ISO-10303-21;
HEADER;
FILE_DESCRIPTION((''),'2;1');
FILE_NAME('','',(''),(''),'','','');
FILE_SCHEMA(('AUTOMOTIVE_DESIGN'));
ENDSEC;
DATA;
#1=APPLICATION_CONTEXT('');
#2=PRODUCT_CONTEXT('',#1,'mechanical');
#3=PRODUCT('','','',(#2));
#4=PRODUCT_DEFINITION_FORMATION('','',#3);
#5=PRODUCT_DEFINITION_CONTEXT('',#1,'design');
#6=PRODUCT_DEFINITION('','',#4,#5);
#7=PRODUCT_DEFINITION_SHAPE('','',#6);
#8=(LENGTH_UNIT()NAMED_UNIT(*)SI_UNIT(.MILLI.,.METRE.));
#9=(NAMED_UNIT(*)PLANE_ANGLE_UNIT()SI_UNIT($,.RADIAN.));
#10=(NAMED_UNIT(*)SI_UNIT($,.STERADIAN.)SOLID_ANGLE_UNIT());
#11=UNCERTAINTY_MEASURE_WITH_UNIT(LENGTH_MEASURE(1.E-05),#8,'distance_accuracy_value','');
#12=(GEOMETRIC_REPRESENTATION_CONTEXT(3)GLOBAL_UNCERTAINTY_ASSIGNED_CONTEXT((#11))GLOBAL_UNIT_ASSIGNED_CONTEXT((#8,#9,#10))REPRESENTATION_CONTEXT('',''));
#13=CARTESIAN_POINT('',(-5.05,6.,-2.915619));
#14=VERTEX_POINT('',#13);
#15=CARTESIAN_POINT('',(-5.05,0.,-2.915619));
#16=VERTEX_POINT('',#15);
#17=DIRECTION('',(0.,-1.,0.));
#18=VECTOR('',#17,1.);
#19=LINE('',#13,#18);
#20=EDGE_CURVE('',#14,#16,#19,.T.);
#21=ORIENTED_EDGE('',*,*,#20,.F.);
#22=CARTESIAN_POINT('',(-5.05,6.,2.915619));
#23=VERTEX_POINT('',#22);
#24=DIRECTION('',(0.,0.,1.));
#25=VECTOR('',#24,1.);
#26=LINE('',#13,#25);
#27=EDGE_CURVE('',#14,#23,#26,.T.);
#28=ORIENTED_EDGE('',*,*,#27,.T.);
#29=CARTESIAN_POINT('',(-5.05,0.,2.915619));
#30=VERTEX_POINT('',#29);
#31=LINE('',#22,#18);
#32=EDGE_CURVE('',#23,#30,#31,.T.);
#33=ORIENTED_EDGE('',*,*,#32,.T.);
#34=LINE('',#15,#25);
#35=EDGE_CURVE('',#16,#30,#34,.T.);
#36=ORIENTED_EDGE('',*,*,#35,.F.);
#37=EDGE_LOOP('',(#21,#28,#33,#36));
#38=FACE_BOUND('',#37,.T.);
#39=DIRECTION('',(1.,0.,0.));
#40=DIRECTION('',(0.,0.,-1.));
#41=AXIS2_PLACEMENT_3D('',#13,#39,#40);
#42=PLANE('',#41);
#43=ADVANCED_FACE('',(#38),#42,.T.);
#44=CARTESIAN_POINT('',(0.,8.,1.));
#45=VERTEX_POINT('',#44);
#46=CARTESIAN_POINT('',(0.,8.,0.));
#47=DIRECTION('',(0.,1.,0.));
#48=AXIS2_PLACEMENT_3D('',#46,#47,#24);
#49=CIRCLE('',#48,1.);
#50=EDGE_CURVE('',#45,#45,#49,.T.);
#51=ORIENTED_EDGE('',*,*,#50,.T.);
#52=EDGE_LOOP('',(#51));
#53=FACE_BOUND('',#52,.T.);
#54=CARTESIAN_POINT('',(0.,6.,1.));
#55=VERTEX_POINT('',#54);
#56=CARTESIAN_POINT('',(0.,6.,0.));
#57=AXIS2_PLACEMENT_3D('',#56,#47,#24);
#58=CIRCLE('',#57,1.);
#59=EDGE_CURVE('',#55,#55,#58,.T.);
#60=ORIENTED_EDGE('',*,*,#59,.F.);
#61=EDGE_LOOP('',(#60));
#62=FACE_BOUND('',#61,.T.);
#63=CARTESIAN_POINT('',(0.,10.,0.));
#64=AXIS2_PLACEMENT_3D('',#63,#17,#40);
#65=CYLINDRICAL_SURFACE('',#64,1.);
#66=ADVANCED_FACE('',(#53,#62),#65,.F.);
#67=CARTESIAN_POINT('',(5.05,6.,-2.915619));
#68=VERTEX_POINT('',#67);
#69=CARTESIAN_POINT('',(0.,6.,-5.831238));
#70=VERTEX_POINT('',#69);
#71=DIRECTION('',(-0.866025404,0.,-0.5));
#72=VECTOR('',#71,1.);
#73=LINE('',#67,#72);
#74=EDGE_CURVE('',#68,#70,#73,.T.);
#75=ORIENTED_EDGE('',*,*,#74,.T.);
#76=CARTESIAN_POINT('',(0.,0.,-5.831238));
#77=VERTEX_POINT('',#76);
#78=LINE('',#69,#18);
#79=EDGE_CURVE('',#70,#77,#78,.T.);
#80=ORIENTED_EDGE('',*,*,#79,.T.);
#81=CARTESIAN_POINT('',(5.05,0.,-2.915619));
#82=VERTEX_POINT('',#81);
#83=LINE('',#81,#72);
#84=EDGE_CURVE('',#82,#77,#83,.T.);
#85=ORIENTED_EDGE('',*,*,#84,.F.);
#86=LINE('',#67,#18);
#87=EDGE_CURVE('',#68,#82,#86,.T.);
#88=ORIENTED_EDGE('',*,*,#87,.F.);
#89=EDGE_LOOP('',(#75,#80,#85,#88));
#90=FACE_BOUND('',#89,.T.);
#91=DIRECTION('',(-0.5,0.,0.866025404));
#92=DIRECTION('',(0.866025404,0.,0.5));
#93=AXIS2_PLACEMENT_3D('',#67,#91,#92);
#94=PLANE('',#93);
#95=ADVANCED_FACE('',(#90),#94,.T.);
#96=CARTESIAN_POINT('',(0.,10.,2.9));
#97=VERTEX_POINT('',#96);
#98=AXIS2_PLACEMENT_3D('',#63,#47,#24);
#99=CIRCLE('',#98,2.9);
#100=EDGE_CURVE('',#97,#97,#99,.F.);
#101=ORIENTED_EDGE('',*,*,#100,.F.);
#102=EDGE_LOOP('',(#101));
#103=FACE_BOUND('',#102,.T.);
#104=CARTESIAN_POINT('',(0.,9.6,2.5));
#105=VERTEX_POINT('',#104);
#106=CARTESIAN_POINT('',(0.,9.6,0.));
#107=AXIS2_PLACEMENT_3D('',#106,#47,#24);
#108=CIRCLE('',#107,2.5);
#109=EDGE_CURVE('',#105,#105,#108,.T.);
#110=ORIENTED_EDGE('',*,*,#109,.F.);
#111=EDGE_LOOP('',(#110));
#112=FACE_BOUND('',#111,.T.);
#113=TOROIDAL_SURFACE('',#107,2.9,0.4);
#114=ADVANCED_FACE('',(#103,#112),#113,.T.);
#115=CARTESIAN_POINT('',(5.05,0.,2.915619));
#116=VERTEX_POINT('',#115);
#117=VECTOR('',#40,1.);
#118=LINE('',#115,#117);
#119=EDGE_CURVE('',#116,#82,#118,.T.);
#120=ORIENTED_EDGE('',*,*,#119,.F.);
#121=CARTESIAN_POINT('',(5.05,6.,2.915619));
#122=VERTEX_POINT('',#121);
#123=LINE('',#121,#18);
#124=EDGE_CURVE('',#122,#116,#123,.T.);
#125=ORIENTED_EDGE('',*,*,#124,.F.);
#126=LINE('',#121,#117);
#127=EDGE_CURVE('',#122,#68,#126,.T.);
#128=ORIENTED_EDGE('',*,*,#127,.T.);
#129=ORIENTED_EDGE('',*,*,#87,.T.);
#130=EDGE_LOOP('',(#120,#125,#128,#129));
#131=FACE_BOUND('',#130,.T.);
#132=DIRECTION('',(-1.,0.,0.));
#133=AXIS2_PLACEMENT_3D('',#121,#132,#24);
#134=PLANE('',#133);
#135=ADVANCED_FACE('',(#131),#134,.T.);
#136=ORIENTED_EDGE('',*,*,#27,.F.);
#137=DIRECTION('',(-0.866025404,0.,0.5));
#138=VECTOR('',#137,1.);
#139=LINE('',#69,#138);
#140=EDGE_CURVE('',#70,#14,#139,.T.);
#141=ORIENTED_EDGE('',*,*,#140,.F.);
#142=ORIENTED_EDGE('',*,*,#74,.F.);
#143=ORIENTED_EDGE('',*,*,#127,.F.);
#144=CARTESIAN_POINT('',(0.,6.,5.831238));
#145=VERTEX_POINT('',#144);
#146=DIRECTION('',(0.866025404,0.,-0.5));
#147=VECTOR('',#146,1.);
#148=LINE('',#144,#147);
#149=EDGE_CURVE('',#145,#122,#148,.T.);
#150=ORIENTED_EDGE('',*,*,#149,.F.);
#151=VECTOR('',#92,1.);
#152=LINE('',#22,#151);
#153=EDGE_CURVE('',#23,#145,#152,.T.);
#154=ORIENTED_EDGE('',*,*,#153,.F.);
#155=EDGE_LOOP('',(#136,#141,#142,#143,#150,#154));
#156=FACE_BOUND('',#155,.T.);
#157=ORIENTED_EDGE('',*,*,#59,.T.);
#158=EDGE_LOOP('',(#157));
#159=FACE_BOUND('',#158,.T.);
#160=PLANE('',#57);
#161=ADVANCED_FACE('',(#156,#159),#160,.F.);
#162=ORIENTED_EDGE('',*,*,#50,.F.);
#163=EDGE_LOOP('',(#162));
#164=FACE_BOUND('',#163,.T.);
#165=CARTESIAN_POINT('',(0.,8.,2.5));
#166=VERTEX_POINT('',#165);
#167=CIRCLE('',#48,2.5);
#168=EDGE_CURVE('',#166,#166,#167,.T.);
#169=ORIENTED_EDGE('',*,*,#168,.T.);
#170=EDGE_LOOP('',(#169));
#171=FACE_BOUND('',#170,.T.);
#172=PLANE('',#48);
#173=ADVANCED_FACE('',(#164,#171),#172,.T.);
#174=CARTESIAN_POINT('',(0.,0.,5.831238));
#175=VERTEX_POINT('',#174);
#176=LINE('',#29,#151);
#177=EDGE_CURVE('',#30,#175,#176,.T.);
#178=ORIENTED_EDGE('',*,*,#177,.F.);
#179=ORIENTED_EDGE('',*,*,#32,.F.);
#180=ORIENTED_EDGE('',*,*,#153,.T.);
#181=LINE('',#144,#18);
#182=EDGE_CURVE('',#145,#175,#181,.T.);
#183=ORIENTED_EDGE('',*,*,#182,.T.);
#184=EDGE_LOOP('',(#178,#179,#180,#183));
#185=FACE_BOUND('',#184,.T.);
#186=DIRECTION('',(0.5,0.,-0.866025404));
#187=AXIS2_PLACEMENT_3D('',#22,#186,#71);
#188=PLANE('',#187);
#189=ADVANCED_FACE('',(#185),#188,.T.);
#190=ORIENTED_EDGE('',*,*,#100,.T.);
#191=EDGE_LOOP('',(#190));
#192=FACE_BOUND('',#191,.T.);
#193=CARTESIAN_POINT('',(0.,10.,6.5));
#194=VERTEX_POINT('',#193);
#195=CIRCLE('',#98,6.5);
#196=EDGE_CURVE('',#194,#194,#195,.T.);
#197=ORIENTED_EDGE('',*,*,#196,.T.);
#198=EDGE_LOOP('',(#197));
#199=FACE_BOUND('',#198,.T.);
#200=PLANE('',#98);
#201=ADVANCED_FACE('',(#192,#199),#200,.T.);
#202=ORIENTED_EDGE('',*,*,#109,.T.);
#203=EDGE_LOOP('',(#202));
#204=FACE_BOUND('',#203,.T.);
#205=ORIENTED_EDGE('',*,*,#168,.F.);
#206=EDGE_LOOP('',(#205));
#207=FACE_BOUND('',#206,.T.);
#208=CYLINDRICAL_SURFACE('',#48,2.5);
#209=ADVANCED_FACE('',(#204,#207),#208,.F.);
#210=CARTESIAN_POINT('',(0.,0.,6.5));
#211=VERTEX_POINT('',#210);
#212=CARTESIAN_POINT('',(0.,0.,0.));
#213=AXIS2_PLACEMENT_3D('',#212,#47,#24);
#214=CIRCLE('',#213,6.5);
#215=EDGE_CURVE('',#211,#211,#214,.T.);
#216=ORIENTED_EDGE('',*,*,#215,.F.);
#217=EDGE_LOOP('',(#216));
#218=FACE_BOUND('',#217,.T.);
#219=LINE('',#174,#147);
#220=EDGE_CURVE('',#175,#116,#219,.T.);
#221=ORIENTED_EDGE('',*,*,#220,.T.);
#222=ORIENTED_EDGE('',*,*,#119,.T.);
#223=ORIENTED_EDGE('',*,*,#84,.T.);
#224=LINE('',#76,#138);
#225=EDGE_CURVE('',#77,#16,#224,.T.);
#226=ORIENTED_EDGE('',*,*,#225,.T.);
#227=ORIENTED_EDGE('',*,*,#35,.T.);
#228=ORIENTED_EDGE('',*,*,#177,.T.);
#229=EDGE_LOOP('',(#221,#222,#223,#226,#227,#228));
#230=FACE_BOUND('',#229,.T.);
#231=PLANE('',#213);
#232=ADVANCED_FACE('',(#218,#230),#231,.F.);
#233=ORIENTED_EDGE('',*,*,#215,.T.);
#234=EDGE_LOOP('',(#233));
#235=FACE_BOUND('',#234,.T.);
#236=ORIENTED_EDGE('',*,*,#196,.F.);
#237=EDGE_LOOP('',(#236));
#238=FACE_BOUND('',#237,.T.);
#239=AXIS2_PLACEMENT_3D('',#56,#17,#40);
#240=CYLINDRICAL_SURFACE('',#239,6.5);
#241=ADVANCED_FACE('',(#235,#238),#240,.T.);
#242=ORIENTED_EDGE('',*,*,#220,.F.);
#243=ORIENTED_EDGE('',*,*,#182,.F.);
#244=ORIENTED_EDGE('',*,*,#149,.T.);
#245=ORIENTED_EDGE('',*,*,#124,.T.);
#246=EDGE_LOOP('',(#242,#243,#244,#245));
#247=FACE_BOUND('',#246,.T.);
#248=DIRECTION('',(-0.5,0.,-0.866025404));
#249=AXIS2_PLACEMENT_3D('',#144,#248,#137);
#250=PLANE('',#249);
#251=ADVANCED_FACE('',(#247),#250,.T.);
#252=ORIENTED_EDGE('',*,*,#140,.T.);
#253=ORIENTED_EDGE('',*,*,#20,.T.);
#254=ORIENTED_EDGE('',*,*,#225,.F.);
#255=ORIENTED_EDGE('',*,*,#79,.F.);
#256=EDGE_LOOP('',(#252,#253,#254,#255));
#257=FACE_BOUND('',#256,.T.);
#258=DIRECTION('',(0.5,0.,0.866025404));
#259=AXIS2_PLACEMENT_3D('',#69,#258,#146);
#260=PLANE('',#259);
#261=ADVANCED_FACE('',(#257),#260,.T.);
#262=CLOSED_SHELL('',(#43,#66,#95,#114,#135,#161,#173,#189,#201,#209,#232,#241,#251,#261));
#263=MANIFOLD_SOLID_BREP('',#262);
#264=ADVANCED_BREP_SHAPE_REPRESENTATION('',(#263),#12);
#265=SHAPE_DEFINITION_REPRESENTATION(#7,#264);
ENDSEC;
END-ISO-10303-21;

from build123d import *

# Parameters (mm, degrees)
SKETCH1_R           = 6.5
BOSS_EXTRUDE1_DEPTH = 6
SKETCH3_R           = 6.5
SKETCH3_R_2         = 1
BOSS_EXTRUDE2_DEPTH = 4
SKETCH4_R           = 2.5
CUT_EXTRUDE1_DEPTH  = 2
FILLET1_R           = 0.4


with BuildPart() as part:
    # Sketch1 → Boss-Extrude1 (new body)
    with BuildSketch(Plane(origin=(0, 0, 0), x_dir=(1, 0, 0), z_dir=(0, 1, 0))):
        with Locations(Location((0, 0, 0), (0, 0, 270))):
            Circle(SKETCH1_R)
        Polygon((5.05, -2.915618859), (5.05, 2.915618859), (0, 5.831237719), (-5.05, 2.915618859), (-5.05, -2.915618859), (0, -5.831237719), align=None, mode=Mode.SUBTRACT)
    extrude(amount=BOSS_EXTRUDE1_DEPTH)

    # Sketch3 → Boss-Extrude2 (add)
    with BuildSketch(Plane(origin=(0, 6, 0), x_dir=(1, 0, 0), z_dir=(0, 1, 0))):
        with Locations(Location((0, 0, 0), (0, 0, 270))):
            Circle(SKETCH3_R)
        with Locations(Location((0, 0, 0), (0, 0, 270))):
            Circle(SKETCH3_R_2, mode=Mode.SUBTRACT)
    extrude(amount=BOSS_EXTRUDE2_DEPTH)

    # Sketch4 → Cut-Extrude1 (cut)
    with BuildSketch(Plane(origin=(0, 10, 0), x_dir=(1, 0, 0), z_dir=(0, 1, 0))):
        with Locations(Location((0, 0, 0), (0, 0, 270))):
            Circle(SKETCH4_R)
    extrude(amount=-CUT_EXTRUDE1_DEPTH, mode=Mode.SUBTRACT)

    # Fillet1
    fillet1_edges = [part.edges().sort_by_distance(p)[0] for p in [
        (0, 10, -2.5),
    ]]
    fillet(fillet1_edges, radius=FILLET1_R)


solid = part.part
